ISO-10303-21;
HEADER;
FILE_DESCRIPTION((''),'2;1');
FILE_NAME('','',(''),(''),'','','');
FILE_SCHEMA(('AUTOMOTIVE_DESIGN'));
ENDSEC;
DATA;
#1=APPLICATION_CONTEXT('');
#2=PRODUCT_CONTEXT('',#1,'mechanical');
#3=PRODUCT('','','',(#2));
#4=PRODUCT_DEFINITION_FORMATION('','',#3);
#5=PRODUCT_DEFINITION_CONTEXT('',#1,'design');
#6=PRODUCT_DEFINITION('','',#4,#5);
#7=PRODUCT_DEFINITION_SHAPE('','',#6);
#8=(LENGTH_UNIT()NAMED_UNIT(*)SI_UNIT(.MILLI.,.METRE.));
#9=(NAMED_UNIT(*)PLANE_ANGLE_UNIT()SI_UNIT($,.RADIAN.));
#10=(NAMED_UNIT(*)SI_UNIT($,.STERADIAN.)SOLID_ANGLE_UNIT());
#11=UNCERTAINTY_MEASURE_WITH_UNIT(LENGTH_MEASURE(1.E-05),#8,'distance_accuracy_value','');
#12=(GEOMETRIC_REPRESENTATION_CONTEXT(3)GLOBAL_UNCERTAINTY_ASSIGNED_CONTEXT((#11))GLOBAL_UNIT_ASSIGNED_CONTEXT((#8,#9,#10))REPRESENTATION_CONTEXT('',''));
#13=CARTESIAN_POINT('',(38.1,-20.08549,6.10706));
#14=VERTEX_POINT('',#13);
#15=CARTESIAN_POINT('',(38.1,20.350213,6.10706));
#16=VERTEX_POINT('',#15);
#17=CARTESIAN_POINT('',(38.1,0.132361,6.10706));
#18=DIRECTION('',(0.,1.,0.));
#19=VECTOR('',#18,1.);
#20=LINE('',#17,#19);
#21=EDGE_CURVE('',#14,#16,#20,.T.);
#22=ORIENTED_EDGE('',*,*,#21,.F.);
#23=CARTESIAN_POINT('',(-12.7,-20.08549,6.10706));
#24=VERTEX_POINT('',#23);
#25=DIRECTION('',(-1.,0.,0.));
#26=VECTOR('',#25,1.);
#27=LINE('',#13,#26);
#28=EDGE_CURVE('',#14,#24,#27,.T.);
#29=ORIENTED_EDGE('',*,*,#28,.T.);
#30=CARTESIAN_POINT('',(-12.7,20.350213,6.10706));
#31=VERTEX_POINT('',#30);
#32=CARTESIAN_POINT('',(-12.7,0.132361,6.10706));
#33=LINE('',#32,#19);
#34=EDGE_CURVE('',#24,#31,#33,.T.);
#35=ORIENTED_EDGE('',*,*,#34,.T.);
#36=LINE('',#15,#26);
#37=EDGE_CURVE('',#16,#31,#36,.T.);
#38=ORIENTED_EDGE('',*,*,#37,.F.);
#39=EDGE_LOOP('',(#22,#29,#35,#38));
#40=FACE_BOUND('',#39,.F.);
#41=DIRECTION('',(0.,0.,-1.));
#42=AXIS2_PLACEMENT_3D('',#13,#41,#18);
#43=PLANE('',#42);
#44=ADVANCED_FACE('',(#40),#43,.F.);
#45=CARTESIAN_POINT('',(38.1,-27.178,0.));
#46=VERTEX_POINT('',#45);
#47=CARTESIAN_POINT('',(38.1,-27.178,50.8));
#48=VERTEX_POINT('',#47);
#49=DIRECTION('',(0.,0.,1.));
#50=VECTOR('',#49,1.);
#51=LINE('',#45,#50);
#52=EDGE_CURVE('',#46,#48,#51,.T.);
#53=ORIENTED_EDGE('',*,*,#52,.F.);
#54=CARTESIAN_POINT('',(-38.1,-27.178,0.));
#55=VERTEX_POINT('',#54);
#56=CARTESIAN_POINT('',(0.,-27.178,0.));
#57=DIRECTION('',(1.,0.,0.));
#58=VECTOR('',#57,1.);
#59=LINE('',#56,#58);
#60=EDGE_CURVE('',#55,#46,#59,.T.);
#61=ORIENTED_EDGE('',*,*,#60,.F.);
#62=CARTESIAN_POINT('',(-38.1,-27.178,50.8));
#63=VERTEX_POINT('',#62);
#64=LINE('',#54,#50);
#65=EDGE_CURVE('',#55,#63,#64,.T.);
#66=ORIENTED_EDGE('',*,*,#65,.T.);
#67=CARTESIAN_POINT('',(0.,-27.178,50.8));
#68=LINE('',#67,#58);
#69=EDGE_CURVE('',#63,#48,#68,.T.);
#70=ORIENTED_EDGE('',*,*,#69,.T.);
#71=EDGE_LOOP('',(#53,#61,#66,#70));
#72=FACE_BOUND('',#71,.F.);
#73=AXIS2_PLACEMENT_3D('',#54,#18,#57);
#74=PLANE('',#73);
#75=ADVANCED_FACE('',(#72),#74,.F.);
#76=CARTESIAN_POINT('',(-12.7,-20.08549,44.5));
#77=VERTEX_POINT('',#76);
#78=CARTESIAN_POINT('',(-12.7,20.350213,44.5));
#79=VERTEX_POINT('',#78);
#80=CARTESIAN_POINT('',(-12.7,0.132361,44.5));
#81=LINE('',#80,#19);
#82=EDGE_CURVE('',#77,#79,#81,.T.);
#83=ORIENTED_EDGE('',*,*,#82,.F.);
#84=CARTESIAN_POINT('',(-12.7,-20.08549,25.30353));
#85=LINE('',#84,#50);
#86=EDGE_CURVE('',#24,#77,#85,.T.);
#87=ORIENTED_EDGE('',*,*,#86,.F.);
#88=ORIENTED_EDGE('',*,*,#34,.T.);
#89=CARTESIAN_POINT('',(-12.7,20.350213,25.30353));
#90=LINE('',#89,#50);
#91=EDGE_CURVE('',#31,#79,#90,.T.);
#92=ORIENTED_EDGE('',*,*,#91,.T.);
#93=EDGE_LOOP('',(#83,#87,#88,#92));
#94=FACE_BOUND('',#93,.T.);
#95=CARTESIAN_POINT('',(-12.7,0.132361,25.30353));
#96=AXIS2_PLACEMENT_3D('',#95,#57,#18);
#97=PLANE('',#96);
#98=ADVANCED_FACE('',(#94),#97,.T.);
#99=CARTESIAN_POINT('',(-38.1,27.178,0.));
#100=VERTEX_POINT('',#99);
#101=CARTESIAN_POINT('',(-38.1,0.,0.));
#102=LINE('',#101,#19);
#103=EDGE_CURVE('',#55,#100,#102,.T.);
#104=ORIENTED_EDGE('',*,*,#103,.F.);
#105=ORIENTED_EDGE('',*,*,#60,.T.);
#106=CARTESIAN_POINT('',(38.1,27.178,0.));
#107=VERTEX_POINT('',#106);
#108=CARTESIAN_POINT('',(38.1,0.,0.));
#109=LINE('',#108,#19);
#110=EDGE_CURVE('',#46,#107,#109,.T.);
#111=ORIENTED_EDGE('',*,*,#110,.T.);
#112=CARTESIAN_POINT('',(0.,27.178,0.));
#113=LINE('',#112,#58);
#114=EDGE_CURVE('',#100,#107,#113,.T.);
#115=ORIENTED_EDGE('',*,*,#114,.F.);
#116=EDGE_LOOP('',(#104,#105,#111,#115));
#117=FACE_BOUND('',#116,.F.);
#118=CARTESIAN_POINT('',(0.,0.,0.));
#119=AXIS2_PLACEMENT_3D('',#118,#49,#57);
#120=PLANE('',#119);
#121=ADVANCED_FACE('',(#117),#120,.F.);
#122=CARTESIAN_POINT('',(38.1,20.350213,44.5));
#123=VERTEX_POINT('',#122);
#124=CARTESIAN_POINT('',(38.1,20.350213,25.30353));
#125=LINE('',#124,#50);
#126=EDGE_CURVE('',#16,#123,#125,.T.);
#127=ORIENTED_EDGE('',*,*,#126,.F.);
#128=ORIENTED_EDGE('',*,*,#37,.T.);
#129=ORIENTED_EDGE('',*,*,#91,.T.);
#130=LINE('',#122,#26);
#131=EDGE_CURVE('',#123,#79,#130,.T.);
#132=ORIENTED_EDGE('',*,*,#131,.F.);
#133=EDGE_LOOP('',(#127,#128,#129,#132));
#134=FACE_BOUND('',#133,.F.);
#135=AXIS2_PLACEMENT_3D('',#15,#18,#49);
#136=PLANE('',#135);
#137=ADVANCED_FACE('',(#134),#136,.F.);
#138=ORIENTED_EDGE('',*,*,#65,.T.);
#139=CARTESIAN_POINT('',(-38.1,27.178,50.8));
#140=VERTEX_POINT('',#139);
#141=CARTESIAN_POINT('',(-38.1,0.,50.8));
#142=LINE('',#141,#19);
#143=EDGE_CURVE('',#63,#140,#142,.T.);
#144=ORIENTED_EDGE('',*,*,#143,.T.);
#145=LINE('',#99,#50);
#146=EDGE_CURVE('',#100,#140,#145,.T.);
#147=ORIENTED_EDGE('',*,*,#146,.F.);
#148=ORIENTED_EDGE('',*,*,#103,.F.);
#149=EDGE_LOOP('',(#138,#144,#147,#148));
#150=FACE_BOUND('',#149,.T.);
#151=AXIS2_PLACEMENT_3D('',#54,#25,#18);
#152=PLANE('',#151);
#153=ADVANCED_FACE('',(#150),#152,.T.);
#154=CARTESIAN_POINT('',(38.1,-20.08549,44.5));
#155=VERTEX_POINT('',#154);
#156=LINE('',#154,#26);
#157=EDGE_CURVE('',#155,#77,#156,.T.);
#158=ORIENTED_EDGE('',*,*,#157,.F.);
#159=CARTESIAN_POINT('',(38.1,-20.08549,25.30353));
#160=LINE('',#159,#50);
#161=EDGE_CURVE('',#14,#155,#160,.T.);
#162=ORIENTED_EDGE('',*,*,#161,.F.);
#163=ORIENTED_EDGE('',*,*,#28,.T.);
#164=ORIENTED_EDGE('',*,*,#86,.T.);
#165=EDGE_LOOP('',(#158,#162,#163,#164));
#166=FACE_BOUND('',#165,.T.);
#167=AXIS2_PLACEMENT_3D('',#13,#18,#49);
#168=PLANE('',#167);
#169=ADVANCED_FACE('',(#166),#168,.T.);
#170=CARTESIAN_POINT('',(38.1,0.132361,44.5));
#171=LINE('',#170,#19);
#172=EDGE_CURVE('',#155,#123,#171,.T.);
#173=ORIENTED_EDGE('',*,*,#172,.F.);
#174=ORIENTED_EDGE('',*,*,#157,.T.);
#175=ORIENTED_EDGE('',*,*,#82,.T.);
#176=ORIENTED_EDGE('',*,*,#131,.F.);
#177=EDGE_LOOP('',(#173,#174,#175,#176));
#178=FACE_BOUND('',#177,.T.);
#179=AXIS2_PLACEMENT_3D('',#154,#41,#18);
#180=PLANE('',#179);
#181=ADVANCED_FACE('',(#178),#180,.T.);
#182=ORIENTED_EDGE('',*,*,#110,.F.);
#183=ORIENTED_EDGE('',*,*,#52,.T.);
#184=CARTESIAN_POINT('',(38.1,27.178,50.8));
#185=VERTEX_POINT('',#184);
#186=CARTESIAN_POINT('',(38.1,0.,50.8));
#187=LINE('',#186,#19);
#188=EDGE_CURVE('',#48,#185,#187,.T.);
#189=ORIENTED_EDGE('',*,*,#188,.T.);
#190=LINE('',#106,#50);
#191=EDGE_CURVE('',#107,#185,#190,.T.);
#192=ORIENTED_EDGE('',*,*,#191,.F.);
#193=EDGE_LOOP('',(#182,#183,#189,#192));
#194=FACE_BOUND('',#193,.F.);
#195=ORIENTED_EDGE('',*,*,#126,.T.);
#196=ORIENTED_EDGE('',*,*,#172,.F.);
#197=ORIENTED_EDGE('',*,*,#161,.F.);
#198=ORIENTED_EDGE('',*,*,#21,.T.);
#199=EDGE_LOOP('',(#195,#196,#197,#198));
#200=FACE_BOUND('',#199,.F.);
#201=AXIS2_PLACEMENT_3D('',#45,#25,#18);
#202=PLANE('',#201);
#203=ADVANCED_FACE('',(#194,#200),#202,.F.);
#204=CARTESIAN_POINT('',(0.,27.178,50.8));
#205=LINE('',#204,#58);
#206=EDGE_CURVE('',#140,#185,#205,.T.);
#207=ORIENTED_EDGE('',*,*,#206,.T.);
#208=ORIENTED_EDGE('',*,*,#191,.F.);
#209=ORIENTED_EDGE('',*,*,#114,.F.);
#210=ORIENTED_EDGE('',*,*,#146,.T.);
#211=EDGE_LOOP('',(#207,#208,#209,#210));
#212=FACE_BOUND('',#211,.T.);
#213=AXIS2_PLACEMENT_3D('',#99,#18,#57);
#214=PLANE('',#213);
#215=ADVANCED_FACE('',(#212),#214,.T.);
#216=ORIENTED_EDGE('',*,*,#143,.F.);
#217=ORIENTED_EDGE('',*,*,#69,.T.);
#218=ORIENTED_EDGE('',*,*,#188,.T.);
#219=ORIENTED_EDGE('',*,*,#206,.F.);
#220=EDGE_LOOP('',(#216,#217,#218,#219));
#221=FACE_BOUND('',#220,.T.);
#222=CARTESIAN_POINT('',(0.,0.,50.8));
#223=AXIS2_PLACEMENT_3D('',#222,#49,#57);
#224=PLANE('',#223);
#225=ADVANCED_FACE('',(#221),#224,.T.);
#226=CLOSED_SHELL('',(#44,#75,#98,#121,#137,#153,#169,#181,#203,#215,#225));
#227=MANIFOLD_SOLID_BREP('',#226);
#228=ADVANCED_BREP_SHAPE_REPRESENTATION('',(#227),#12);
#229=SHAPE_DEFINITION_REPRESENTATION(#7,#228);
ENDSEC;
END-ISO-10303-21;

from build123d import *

# Parameters (mm, degrees)
F0_W     = 76.2
F0_H     = 54.356
F1_DEPTH = 50.8
F2_W     = 40.435703
F2_H     = 38.392941
F3_DEPTH = 50.8


with BuildPart() as f1:
    # F0 (on Top) → F1 (new body)
    with BuildSketch(Plane.XY):
        Rectangle(F0_W, F0_H)
    extrude(amount=F1_DEPTH)

    # F2 (on face) → F3 (cut)
    with BuildSketch(Plane.YZ.offset(38.1)):
        with Locations((0.132361, 25.30353)):
            Rectangle(F2_W, F2_H)
    extrude(amount=-F3_DEPTH, mode=Mode.SUBTRACT)


solid = f1.part
